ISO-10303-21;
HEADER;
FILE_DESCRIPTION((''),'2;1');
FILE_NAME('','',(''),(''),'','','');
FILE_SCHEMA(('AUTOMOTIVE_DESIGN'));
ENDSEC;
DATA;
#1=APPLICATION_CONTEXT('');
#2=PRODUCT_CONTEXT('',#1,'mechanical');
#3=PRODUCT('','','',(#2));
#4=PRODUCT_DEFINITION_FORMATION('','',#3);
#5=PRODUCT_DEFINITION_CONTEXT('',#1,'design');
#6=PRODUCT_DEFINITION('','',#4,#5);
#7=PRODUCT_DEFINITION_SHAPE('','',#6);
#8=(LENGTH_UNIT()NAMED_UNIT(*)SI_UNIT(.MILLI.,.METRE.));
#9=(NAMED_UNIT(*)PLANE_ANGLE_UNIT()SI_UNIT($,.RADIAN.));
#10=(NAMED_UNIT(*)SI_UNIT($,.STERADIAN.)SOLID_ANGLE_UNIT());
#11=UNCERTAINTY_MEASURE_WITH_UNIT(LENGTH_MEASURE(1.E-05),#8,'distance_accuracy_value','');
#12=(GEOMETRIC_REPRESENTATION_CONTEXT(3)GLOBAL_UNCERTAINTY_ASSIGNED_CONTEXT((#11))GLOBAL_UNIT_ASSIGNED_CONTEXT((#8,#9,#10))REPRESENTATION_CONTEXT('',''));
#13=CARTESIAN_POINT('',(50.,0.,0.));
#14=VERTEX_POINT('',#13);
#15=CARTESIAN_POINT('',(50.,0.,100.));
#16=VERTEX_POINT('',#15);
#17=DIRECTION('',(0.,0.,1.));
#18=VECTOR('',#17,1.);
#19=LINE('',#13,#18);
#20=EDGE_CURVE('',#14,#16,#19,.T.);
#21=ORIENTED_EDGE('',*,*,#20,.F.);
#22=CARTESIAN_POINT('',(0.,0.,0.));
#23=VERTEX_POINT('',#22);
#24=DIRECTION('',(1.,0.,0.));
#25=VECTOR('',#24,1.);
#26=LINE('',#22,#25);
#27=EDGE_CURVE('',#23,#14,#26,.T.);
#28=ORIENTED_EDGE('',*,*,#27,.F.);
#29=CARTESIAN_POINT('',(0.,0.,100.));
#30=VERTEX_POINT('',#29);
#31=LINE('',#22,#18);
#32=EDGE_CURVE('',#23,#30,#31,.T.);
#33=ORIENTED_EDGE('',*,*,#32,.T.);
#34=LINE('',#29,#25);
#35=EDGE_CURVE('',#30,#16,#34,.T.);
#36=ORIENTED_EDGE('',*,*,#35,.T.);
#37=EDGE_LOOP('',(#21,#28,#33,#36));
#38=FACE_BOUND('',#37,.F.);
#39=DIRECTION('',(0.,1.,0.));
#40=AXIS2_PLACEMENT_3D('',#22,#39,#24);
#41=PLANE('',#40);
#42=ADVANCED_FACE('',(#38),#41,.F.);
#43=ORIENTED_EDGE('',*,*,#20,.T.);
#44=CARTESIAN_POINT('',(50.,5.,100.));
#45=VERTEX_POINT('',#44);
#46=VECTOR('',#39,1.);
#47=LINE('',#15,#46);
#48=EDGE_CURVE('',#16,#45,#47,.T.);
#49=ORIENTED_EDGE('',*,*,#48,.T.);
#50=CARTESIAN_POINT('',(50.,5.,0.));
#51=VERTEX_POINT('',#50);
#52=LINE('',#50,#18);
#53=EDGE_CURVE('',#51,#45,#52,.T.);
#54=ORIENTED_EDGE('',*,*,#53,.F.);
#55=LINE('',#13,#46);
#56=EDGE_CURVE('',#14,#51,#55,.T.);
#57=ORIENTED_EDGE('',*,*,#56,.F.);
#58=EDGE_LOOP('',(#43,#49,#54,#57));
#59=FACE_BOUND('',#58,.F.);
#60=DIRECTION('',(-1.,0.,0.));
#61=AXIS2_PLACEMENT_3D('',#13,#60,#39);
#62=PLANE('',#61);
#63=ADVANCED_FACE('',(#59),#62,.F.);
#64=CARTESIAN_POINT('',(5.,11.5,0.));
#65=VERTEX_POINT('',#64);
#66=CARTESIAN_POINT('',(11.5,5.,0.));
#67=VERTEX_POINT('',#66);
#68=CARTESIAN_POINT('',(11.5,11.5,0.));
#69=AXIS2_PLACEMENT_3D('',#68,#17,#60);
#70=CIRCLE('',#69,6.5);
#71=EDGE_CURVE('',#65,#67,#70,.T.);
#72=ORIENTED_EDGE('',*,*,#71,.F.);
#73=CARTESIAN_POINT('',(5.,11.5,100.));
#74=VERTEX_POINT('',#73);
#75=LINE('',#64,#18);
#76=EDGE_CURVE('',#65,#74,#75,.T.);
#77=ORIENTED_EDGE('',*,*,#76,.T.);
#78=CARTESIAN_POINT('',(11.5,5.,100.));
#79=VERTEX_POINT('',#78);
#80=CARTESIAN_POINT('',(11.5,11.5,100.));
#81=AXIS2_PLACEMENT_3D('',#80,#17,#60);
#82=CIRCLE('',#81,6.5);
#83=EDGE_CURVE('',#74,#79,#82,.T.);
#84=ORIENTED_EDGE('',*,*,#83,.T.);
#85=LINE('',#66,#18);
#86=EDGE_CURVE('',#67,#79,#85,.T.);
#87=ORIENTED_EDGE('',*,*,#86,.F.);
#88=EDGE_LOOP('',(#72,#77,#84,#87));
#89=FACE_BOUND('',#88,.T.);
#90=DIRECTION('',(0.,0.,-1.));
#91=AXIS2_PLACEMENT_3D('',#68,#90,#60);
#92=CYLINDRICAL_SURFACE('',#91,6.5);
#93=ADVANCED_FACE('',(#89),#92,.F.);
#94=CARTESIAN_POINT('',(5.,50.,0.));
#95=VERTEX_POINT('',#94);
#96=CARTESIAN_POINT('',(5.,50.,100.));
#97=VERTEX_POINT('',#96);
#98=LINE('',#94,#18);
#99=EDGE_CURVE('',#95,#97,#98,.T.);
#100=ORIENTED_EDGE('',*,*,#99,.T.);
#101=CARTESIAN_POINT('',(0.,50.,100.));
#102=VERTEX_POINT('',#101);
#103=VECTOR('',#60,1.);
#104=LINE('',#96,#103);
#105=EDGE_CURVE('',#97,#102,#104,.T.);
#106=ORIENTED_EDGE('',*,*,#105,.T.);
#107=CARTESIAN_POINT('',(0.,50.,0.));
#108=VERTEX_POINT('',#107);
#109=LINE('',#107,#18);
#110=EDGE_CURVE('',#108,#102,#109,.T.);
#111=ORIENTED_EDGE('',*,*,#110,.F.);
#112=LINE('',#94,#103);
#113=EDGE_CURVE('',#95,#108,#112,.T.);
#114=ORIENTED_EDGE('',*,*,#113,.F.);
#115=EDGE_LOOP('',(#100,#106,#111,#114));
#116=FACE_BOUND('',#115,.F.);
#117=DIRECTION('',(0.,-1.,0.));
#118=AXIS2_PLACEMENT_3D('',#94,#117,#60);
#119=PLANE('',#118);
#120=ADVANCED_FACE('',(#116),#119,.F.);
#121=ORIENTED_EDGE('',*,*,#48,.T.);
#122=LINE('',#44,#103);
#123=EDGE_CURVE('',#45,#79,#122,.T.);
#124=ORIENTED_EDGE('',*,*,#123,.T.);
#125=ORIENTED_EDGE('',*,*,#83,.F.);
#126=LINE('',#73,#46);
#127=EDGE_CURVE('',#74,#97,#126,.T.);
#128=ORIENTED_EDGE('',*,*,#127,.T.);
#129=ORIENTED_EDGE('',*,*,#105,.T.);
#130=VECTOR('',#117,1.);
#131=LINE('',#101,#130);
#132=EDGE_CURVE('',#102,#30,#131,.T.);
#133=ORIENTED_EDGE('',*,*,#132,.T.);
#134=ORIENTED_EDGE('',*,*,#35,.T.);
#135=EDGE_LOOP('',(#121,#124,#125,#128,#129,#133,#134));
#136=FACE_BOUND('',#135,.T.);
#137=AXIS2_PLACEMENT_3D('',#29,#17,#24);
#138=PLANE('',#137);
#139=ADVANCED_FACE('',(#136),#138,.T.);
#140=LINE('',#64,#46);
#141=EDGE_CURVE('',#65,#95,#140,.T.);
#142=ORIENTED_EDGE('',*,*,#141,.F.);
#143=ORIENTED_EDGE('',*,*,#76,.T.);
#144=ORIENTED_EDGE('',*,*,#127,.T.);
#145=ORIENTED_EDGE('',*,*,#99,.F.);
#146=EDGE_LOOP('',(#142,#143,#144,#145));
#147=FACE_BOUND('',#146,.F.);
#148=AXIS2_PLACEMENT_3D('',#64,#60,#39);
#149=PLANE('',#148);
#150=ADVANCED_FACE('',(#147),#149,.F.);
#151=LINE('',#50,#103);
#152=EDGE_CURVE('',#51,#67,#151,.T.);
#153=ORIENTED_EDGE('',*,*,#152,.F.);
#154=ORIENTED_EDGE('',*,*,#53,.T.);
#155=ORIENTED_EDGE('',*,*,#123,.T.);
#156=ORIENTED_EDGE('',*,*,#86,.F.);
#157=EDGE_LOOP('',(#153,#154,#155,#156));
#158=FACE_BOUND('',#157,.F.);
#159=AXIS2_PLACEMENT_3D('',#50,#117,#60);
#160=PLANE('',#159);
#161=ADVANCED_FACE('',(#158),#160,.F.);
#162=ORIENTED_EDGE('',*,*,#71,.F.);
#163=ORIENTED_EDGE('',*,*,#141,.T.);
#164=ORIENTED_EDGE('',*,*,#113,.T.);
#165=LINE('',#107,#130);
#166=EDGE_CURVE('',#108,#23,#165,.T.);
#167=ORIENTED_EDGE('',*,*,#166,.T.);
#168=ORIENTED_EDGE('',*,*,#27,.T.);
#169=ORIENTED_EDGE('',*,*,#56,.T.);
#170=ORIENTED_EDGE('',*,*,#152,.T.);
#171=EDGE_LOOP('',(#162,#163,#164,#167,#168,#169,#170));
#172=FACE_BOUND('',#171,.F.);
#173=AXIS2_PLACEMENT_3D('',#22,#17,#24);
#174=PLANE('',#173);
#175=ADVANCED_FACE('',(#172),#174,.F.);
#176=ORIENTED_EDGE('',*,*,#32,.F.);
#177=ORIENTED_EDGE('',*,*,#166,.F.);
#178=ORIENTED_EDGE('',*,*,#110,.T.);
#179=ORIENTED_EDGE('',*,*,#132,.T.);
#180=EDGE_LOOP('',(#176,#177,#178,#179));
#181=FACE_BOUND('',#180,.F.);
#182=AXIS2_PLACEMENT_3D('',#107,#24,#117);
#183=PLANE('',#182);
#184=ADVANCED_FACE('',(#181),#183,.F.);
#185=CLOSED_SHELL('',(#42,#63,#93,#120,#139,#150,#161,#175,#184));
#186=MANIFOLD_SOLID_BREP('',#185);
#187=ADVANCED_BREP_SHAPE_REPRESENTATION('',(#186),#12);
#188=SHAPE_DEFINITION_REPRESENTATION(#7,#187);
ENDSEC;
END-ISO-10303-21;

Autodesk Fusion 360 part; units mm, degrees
sketch "スケッチ1" plane through (0, 0, 0) normal (0, 0, 1) x (1, 0, 0)
  line L0 (50, 5) -> (11.5, 5)
  line L1 (0, 0) -> (50, 0)
  line L2 (0, 50) -> (0, 0)
  line L3 (5, 11.5) -> (5, 50)
  arc A0 (5, 11.5) -> (11.5, 5) centre (11.5, 11.5) ccw
  line L4 (5, 50) -> (0, 50)
  line L5 (50, 0) -> (50, 5)
extrude "押し出し1" add sketch "スケッチ1" along normal blind 100
